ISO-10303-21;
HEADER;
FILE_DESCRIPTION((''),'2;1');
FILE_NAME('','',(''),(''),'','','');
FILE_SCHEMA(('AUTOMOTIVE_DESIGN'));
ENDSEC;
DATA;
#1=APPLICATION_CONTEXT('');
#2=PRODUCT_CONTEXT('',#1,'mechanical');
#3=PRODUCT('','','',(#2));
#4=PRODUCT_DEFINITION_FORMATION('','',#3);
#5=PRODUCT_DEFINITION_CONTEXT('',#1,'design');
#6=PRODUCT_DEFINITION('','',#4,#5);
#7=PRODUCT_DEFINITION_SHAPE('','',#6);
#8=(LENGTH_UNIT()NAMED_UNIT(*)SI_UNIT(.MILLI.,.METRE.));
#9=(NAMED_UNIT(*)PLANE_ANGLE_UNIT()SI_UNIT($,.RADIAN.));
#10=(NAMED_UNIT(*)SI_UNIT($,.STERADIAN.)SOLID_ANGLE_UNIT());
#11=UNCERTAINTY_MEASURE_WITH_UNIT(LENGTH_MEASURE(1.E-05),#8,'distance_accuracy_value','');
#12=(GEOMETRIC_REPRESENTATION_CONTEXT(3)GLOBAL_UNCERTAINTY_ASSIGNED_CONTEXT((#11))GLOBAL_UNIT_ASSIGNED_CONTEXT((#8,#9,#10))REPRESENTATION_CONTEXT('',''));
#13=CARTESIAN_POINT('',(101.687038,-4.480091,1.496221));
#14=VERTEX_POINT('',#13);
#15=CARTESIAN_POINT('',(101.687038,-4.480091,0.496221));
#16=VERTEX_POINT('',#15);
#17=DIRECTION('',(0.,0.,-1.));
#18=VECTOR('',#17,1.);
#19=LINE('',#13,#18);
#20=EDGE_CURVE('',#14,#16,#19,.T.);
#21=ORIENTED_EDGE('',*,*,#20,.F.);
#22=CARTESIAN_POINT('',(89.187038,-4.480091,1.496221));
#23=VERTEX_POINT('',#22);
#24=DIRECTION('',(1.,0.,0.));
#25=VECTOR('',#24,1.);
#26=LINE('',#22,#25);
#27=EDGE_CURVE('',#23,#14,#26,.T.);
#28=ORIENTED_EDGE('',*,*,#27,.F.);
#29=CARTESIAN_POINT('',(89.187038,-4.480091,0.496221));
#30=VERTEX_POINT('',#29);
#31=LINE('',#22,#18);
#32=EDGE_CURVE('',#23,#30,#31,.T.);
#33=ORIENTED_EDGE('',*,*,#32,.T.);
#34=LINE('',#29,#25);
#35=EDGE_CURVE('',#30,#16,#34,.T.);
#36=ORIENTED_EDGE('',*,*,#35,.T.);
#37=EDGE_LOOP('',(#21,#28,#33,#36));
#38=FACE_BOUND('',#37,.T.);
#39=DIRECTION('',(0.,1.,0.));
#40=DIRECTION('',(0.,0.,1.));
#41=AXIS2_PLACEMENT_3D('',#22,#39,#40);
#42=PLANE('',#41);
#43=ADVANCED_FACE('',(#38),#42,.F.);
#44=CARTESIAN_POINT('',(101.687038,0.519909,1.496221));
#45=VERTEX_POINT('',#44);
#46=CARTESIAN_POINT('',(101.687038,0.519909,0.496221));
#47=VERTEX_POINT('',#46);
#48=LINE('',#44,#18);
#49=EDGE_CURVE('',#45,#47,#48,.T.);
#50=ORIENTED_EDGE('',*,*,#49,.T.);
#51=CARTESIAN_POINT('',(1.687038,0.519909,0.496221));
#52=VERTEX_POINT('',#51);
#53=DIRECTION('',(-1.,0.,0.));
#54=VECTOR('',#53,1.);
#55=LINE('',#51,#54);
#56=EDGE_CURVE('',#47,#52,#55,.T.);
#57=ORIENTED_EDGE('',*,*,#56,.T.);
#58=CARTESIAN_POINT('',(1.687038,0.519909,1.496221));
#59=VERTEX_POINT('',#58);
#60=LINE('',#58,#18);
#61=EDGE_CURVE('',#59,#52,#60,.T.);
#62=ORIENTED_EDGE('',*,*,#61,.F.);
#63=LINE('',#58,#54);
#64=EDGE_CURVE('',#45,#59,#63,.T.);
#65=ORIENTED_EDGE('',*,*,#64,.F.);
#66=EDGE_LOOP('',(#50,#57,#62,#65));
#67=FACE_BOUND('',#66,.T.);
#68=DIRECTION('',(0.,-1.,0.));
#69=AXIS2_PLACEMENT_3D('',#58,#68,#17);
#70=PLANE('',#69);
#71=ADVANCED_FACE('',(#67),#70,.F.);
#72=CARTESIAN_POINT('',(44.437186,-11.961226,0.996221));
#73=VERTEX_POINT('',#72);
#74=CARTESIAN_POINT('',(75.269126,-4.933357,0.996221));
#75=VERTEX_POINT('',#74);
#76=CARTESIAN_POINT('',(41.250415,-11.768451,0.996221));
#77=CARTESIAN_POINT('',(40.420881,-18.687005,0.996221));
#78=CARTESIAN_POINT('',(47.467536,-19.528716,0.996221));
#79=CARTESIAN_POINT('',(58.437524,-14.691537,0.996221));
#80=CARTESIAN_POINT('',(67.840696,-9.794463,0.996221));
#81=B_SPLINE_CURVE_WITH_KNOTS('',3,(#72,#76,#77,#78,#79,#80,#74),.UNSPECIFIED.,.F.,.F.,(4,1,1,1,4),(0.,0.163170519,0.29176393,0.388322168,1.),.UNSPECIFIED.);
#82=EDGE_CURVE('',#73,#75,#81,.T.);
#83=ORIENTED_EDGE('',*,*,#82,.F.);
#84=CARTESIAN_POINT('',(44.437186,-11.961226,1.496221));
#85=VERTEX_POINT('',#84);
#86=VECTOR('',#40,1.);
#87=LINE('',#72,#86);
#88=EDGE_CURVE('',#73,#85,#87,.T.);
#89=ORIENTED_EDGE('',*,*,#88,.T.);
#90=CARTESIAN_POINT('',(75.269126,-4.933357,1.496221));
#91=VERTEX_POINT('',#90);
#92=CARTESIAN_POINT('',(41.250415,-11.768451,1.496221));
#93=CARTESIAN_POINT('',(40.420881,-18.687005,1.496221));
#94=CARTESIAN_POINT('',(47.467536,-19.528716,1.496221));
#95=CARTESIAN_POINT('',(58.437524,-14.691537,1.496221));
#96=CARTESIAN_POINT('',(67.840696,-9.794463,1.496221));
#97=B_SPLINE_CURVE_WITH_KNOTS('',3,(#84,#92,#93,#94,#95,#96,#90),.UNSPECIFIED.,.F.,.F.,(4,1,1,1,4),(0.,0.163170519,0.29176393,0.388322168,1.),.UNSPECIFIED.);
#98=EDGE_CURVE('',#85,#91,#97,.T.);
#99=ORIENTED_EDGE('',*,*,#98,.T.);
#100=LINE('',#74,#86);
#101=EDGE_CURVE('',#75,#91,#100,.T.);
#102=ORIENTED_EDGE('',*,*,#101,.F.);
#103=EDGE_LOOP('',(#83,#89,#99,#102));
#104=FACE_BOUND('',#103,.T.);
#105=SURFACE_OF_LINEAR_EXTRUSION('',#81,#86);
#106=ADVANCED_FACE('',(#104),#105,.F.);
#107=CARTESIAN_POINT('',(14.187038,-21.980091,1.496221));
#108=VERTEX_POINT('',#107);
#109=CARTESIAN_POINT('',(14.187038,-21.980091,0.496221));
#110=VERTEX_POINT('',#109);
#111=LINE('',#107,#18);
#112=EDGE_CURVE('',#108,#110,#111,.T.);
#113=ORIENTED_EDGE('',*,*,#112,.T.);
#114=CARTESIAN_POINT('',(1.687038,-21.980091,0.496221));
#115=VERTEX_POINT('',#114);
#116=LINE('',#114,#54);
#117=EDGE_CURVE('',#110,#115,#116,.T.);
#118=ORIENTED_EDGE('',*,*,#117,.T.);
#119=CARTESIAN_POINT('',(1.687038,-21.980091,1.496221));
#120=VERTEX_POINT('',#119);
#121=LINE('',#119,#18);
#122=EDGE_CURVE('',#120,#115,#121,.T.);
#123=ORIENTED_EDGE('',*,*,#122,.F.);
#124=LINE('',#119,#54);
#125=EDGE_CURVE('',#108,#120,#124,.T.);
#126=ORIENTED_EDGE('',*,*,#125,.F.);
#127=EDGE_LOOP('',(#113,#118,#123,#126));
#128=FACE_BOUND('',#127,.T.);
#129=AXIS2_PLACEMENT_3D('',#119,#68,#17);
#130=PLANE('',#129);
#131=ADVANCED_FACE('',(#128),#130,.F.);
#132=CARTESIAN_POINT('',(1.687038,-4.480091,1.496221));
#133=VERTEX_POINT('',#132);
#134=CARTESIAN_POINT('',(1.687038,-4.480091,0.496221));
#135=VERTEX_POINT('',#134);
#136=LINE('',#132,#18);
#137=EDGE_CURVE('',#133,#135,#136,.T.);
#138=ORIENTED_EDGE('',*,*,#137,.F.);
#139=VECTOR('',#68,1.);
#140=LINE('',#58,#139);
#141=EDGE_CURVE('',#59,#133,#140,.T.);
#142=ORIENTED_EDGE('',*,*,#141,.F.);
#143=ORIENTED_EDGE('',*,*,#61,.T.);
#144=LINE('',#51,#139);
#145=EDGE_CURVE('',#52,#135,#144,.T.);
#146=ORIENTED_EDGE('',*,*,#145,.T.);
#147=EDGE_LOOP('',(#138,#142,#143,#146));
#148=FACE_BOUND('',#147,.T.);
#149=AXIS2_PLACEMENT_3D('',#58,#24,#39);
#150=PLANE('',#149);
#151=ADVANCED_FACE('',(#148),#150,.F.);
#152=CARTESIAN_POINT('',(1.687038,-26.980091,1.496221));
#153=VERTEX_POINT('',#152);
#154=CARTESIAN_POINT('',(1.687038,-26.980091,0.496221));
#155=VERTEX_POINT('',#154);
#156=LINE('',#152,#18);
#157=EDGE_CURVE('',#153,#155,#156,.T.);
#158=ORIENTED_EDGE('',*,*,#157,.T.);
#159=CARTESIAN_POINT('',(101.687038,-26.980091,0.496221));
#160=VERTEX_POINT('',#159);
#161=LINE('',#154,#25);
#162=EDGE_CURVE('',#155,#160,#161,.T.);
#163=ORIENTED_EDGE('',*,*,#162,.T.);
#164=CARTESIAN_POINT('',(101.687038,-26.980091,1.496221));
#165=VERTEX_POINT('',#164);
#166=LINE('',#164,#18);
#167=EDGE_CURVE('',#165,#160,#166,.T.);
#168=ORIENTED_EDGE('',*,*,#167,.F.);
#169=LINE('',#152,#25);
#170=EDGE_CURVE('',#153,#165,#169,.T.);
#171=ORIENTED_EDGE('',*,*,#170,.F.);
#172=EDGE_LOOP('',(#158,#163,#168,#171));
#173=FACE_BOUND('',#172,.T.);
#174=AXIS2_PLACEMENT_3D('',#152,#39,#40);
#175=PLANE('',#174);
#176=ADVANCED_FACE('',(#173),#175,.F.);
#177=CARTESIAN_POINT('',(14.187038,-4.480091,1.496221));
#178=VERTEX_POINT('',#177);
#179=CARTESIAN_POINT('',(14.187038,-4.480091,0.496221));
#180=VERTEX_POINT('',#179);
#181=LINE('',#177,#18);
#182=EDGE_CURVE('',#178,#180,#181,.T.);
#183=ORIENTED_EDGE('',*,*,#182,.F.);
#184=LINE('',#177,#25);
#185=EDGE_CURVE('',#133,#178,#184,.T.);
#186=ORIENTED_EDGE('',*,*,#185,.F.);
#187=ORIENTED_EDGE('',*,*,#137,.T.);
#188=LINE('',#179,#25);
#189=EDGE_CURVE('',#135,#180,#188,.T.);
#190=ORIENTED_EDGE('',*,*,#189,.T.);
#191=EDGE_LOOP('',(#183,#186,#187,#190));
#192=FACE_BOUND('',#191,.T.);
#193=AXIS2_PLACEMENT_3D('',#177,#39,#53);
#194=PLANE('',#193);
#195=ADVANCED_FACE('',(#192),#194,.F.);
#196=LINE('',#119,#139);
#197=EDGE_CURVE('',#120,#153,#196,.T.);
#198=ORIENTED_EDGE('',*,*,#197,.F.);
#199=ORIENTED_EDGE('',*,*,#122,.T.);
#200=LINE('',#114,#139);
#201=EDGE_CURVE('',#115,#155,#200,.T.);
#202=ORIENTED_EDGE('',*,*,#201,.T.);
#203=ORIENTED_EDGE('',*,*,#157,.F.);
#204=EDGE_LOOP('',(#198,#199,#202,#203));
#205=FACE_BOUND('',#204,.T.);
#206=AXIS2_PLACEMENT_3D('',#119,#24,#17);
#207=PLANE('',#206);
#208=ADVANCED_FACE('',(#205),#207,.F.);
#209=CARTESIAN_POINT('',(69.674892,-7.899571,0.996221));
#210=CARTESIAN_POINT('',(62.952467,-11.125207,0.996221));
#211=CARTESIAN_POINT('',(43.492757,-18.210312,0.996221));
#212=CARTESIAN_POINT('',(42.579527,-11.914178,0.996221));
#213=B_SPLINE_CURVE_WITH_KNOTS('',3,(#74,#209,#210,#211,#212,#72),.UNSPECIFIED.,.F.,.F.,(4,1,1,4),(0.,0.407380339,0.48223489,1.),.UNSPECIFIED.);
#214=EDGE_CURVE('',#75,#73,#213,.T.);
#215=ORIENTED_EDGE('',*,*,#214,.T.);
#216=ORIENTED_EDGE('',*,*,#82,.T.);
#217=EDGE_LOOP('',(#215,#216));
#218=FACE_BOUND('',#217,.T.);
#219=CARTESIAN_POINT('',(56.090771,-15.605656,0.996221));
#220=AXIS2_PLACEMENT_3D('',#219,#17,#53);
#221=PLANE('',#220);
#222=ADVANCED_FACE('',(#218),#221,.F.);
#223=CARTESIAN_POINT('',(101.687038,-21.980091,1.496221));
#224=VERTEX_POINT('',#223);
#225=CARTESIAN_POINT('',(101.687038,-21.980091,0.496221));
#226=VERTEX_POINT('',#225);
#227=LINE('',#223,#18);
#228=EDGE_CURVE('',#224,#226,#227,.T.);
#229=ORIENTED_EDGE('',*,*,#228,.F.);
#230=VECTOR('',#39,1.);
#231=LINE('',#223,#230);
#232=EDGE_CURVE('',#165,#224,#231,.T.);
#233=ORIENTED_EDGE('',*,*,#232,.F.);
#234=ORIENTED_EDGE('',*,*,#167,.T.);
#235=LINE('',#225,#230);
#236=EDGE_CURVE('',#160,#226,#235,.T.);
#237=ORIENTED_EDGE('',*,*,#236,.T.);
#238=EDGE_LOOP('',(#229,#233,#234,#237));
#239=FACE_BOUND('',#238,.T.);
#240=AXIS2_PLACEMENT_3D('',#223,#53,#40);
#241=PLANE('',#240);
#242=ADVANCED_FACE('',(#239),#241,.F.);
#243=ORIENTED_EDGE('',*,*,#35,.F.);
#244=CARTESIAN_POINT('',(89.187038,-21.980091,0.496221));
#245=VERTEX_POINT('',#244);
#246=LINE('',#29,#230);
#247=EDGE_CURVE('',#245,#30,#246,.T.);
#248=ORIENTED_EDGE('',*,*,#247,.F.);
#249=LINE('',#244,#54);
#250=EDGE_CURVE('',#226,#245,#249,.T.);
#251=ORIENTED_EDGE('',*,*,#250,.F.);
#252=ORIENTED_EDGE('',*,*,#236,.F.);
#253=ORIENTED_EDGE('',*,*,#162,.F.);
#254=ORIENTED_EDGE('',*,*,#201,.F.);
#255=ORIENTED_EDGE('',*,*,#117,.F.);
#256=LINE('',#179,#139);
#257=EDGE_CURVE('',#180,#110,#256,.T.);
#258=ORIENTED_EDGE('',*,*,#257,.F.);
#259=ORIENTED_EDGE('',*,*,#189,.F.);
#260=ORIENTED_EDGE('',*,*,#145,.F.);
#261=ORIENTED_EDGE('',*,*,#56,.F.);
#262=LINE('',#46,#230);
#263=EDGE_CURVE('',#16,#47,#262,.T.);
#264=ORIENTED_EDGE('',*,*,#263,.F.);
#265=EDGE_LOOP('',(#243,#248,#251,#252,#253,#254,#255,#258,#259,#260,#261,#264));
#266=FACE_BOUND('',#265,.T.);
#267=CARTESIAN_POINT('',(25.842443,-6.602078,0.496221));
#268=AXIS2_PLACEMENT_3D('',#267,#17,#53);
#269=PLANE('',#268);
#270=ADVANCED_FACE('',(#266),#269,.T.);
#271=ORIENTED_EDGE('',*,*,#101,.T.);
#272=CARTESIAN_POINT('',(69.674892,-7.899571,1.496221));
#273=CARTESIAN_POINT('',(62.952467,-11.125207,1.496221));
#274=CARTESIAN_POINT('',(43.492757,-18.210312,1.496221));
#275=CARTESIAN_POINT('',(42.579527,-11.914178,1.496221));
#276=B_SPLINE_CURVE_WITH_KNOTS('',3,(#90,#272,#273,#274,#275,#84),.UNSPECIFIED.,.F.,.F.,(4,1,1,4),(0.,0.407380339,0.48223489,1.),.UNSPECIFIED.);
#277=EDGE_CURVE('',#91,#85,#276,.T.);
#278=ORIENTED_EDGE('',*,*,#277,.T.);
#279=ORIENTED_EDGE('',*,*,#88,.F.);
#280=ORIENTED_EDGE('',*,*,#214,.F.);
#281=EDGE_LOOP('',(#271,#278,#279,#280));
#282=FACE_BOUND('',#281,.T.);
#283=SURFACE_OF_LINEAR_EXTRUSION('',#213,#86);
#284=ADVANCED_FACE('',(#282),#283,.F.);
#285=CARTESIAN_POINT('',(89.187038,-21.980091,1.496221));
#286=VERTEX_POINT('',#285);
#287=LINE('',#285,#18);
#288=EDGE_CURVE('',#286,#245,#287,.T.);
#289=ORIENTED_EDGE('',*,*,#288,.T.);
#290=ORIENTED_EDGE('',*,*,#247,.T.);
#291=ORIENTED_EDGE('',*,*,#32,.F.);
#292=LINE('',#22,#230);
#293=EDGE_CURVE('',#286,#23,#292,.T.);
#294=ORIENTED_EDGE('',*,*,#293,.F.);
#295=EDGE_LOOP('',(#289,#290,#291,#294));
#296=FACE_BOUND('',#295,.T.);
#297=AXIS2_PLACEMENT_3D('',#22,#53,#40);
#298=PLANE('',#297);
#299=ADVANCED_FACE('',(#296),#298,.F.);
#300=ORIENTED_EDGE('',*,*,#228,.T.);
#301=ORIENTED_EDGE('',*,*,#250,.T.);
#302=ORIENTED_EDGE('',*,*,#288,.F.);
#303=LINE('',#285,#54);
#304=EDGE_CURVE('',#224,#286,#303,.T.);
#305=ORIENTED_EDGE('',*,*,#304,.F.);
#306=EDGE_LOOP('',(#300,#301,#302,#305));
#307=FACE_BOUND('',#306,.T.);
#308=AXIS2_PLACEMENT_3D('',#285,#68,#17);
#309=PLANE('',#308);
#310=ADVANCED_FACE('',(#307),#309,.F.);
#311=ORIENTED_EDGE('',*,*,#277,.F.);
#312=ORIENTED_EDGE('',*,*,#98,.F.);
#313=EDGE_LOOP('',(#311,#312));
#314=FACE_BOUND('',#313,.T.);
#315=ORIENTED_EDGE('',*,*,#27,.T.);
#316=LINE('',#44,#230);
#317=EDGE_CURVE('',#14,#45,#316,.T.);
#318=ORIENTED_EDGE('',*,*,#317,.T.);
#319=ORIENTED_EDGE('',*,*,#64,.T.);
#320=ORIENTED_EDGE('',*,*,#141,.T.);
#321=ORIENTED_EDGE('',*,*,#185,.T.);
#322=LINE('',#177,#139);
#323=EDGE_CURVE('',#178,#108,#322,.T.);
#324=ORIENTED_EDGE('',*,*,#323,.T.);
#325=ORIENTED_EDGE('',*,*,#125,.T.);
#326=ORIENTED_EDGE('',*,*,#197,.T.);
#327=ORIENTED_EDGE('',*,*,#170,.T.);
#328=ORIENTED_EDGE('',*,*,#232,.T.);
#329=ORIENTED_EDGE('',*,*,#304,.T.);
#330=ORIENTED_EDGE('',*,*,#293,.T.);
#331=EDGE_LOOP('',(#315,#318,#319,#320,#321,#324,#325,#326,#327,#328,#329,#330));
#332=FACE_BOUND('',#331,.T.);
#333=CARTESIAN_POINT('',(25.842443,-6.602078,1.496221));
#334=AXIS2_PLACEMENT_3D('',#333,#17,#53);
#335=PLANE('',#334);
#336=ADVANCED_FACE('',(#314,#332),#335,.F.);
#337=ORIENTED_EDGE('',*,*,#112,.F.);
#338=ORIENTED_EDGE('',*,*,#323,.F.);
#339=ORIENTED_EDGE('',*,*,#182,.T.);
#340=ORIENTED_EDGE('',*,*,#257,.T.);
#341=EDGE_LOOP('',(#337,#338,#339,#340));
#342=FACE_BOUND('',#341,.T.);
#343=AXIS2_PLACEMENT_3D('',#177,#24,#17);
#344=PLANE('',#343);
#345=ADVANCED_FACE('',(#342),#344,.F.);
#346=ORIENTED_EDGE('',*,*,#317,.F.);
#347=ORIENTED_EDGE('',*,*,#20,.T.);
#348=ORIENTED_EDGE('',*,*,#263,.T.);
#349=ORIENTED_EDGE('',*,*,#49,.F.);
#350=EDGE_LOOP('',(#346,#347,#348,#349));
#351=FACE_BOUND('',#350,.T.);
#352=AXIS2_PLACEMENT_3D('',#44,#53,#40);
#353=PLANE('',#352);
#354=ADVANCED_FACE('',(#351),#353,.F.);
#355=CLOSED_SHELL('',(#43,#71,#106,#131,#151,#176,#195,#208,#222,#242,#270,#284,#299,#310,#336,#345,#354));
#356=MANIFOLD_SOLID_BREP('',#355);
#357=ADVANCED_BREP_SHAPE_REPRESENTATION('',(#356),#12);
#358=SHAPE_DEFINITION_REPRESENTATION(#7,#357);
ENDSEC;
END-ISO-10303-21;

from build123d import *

# Parameters (mm, degrees)
BOSS_EXTRUDE1_DEPTH = 2
CUT_EXTRUDE1_DEPTH  = 1
SCALE1_SCALE        = 0.5


with BuildPart() as part:
    # Sketch1 → Boss-Extrude1 (new body)
    with BuildSketch(Plane.XY):
        Polygon((-48.310810811, 14.243974201), (151.689189189, 14.243974201), (151.689189189, 4.243974201), (126.689189189, 4.243974201), (126.689189189, -30.756025799), (151.689189189, -30.756025799), (151.689189189, -40.756025799), (-48.310810811, -40.756025799), (-48.310810811, -30.756025799), (-23.310810811, -30.756025799), (-23.310810811, 4.243974201), (-48.310810811, 4.243974201), align=None)
    extrude(amount=BOSS_EXTRUDE1_DEPTH)

    # Sketch3 → Cut-Extrude1 (cut)
    with BuildSketch(Plane.XY.offset(2)):
        with BuildLine():
            add(Edge.make_bspline(
                [(37.189484824, -10.718294686), (33.474166953, -10.624199422), (35.300627772, -23.216467907), (74.220048032, -9.046257892), (87.664897587, -2.594986042), (98.853365994, 3.337442933)],
                knots=[0, 0, 0, 0, 0.51776511, 0.592619661, 1, 1, 1, 1], degree=3))
            add(Edge.make_bspline(
                [(37.189484824, -10.718294686), (30.815944463, -10.332745105), (29.156875012, -24.169852988), (43.250186434, -25.85327449), (65.190161886, -16.178918043), (83.996504619, -6.384768657), (98.853365994, 3.337442933)],
                knots=[0, 0, 0, 0, 0.163170519, 0.29176393, 0.388322168, 1, 1, 1, 1], degree=3))
        make_face()
    extrude(amount=-CUT_EXTRUDE1_DEPTH, mode=Mode.SUBTRACT)


with BuildPart() as part_1:
    # Scale1: scaled about (51.685288163, -13.204114524, 0.992436244)
    add(part.part.scale(SCALE1_SCALE).moved(Location((25.842644082, -6.602057262, 0.496218122))))


solid = part_1.part
